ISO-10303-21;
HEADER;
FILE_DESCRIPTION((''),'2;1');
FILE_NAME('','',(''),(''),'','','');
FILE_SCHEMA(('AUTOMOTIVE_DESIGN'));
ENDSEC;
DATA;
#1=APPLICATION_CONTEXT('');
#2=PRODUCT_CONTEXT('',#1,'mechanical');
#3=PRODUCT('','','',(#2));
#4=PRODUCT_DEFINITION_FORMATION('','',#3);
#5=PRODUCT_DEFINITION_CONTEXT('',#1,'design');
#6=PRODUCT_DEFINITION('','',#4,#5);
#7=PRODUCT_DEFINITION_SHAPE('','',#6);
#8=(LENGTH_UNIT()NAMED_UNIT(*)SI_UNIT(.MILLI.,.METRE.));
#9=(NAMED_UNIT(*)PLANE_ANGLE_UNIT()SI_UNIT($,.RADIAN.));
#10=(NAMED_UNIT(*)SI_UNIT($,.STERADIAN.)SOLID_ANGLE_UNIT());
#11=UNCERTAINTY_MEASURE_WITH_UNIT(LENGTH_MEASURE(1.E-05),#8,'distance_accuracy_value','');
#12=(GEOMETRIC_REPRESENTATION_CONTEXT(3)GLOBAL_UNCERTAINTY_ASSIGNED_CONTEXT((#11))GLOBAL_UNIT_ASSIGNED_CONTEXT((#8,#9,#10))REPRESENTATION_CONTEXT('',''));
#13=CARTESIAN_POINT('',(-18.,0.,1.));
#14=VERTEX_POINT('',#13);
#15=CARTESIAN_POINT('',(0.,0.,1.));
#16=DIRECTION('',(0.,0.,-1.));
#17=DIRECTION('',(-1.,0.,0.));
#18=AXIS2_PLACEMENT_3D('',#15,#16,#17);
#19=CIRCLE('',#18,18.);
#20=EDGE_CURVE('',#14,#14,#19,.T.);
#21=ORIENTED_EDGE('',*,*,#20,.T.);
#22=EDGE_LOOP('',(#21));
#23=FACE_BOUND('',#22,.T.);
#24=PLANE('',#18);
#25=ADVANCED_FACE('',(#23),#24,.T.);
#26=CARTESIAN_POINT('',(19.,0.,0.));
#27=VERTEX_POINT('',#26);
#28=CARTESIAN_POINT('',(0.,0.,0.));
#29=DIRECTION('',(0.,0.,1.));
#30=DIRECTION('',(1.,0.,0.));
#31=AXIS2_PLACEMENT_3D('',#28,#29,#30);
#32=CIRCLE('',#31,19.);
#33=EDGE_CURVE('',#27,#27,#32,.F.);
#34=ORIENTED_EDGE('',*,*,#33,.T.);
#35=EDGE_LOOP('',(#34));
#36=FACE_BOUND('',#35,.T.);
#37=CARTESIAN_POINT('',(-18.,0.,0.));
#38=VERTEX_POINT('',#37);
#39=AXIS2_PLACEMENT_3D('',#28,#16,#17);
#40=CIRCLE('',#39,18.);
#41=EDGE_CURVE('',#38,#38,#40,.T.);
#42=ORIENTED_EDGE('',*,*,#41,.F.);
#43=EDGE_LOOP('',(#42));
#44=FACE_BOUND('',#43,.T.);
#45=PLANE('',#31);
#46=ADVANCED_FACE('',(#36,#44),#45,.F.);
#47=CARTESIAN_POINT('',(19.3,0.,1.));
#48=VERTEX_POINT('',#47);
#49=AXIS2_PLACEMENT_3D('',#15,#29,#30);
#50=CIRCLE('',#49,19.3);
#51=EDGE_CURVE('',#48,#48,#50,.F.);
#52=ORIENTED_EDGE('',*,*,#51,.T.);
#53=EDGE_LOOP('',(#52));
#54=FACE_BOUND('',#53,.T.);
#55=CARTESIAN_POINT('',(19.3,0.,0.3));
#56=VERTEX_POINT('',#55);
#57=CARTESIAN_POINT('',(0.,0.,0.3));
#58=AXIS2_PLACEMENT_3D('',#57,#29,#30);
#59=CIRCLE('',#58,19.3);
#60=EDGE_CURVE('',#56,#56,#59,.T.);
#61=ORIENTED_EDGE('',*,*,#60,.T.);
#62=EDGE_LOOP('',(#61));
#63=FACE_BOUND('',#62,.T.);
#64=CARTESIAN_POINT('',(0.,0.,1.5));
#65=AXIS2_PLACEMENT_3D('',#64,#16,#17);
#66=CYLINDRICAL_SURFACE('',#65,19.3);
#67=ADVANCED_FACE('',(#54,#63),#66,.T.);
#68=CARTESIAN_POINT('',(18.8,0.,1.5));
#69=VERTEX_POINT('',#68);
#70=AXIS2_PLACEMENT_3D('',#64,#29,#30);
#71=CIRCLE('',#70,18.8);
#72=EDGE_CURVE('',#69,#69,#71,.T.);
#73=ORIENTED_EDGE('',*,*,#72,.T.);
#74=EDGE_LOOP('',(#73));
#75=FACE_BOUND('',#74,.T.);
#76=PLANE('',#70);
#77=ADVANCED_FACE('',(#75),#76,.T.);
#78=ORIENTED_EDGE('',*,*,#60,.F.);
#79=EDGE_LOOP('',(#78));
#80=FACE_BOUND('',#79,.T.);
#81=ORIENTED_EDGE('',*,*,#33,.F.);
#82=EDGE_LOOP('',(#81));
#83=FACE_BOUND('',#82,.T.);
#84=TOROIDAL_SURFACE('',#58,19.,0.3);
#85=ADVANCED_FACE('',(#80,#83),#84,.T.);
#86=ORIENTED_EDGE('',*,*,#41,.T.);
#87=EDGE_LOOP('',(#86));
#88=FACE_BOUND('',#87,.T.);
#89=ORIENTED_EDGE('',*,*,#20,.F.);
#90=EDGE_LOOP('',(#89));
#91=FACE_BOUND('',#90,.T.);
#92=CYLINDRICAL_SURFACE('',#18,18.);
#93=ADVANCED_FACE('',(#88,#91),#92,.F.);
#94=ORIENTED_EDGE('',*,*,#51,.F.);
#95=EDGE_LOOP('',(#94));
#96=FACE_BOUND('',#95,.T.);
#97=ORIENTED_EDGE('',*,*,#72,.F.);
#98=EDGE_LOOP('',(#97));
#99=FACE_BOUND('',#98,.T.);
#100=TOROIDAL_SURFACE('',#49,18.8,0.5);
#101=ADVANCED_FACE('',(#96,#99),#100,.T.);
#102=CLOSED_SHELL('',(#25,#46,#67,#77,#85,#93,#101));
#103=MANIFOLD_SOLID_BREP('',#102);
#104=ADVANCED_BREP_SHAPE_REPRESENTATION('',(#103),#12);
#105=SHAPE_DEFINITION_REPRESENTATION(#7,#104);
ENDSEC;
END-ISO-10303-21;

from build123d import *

# Parameters (mm, degrees)
ESQUISSE1_R             = 19.3
BOSS_EXTRU_1_DEPTH      = 1.5
ESQUISSE3_R             = 18
ENL_V_MAT_EXTRU_2_DEPTH = 1
CONG_1_R                = 0.5
CONG_2_R                = 0.3


with BuildPart() as part:
    # Esquisse1 → Boss.-Extru.1 (new body)
    with BuildSketch(Plane.XY):
        Circle(ESQUISSE1_R)
    extrude(amount=BOSS_EXTRU_1_DEPTH)

    # Esquisse3 → Enlèv. mat.-Extru.2 (cut)
    with BuildSketch(Plane(origin=(0, 0, 0), x_dir=(-1, 0, 0), z_dir=(0, 0, -1))):
        Circle(ESQUISSE3_R)
    extrude(amount=-ENL_V_MAT_EXTRU_2_DEPTH, mode=Mode.SUBTRACT)

    # Congé1
    cong_1_edges = [part.edges().sort_by_distance(p)[0] for p in [
        (-19.3, 0, 1.5),
    ]]
    fillet(cong_1_edges, radius=CONG_1_R)

    # Congé2
    cong_2_edges = [part.edges().sort_by_distance(p)[0] for p in [
        (-19.3, 0, 0),
    ]]
    fillet(cong_2_edges, radius=CONG_2_R)


solid = part.part
